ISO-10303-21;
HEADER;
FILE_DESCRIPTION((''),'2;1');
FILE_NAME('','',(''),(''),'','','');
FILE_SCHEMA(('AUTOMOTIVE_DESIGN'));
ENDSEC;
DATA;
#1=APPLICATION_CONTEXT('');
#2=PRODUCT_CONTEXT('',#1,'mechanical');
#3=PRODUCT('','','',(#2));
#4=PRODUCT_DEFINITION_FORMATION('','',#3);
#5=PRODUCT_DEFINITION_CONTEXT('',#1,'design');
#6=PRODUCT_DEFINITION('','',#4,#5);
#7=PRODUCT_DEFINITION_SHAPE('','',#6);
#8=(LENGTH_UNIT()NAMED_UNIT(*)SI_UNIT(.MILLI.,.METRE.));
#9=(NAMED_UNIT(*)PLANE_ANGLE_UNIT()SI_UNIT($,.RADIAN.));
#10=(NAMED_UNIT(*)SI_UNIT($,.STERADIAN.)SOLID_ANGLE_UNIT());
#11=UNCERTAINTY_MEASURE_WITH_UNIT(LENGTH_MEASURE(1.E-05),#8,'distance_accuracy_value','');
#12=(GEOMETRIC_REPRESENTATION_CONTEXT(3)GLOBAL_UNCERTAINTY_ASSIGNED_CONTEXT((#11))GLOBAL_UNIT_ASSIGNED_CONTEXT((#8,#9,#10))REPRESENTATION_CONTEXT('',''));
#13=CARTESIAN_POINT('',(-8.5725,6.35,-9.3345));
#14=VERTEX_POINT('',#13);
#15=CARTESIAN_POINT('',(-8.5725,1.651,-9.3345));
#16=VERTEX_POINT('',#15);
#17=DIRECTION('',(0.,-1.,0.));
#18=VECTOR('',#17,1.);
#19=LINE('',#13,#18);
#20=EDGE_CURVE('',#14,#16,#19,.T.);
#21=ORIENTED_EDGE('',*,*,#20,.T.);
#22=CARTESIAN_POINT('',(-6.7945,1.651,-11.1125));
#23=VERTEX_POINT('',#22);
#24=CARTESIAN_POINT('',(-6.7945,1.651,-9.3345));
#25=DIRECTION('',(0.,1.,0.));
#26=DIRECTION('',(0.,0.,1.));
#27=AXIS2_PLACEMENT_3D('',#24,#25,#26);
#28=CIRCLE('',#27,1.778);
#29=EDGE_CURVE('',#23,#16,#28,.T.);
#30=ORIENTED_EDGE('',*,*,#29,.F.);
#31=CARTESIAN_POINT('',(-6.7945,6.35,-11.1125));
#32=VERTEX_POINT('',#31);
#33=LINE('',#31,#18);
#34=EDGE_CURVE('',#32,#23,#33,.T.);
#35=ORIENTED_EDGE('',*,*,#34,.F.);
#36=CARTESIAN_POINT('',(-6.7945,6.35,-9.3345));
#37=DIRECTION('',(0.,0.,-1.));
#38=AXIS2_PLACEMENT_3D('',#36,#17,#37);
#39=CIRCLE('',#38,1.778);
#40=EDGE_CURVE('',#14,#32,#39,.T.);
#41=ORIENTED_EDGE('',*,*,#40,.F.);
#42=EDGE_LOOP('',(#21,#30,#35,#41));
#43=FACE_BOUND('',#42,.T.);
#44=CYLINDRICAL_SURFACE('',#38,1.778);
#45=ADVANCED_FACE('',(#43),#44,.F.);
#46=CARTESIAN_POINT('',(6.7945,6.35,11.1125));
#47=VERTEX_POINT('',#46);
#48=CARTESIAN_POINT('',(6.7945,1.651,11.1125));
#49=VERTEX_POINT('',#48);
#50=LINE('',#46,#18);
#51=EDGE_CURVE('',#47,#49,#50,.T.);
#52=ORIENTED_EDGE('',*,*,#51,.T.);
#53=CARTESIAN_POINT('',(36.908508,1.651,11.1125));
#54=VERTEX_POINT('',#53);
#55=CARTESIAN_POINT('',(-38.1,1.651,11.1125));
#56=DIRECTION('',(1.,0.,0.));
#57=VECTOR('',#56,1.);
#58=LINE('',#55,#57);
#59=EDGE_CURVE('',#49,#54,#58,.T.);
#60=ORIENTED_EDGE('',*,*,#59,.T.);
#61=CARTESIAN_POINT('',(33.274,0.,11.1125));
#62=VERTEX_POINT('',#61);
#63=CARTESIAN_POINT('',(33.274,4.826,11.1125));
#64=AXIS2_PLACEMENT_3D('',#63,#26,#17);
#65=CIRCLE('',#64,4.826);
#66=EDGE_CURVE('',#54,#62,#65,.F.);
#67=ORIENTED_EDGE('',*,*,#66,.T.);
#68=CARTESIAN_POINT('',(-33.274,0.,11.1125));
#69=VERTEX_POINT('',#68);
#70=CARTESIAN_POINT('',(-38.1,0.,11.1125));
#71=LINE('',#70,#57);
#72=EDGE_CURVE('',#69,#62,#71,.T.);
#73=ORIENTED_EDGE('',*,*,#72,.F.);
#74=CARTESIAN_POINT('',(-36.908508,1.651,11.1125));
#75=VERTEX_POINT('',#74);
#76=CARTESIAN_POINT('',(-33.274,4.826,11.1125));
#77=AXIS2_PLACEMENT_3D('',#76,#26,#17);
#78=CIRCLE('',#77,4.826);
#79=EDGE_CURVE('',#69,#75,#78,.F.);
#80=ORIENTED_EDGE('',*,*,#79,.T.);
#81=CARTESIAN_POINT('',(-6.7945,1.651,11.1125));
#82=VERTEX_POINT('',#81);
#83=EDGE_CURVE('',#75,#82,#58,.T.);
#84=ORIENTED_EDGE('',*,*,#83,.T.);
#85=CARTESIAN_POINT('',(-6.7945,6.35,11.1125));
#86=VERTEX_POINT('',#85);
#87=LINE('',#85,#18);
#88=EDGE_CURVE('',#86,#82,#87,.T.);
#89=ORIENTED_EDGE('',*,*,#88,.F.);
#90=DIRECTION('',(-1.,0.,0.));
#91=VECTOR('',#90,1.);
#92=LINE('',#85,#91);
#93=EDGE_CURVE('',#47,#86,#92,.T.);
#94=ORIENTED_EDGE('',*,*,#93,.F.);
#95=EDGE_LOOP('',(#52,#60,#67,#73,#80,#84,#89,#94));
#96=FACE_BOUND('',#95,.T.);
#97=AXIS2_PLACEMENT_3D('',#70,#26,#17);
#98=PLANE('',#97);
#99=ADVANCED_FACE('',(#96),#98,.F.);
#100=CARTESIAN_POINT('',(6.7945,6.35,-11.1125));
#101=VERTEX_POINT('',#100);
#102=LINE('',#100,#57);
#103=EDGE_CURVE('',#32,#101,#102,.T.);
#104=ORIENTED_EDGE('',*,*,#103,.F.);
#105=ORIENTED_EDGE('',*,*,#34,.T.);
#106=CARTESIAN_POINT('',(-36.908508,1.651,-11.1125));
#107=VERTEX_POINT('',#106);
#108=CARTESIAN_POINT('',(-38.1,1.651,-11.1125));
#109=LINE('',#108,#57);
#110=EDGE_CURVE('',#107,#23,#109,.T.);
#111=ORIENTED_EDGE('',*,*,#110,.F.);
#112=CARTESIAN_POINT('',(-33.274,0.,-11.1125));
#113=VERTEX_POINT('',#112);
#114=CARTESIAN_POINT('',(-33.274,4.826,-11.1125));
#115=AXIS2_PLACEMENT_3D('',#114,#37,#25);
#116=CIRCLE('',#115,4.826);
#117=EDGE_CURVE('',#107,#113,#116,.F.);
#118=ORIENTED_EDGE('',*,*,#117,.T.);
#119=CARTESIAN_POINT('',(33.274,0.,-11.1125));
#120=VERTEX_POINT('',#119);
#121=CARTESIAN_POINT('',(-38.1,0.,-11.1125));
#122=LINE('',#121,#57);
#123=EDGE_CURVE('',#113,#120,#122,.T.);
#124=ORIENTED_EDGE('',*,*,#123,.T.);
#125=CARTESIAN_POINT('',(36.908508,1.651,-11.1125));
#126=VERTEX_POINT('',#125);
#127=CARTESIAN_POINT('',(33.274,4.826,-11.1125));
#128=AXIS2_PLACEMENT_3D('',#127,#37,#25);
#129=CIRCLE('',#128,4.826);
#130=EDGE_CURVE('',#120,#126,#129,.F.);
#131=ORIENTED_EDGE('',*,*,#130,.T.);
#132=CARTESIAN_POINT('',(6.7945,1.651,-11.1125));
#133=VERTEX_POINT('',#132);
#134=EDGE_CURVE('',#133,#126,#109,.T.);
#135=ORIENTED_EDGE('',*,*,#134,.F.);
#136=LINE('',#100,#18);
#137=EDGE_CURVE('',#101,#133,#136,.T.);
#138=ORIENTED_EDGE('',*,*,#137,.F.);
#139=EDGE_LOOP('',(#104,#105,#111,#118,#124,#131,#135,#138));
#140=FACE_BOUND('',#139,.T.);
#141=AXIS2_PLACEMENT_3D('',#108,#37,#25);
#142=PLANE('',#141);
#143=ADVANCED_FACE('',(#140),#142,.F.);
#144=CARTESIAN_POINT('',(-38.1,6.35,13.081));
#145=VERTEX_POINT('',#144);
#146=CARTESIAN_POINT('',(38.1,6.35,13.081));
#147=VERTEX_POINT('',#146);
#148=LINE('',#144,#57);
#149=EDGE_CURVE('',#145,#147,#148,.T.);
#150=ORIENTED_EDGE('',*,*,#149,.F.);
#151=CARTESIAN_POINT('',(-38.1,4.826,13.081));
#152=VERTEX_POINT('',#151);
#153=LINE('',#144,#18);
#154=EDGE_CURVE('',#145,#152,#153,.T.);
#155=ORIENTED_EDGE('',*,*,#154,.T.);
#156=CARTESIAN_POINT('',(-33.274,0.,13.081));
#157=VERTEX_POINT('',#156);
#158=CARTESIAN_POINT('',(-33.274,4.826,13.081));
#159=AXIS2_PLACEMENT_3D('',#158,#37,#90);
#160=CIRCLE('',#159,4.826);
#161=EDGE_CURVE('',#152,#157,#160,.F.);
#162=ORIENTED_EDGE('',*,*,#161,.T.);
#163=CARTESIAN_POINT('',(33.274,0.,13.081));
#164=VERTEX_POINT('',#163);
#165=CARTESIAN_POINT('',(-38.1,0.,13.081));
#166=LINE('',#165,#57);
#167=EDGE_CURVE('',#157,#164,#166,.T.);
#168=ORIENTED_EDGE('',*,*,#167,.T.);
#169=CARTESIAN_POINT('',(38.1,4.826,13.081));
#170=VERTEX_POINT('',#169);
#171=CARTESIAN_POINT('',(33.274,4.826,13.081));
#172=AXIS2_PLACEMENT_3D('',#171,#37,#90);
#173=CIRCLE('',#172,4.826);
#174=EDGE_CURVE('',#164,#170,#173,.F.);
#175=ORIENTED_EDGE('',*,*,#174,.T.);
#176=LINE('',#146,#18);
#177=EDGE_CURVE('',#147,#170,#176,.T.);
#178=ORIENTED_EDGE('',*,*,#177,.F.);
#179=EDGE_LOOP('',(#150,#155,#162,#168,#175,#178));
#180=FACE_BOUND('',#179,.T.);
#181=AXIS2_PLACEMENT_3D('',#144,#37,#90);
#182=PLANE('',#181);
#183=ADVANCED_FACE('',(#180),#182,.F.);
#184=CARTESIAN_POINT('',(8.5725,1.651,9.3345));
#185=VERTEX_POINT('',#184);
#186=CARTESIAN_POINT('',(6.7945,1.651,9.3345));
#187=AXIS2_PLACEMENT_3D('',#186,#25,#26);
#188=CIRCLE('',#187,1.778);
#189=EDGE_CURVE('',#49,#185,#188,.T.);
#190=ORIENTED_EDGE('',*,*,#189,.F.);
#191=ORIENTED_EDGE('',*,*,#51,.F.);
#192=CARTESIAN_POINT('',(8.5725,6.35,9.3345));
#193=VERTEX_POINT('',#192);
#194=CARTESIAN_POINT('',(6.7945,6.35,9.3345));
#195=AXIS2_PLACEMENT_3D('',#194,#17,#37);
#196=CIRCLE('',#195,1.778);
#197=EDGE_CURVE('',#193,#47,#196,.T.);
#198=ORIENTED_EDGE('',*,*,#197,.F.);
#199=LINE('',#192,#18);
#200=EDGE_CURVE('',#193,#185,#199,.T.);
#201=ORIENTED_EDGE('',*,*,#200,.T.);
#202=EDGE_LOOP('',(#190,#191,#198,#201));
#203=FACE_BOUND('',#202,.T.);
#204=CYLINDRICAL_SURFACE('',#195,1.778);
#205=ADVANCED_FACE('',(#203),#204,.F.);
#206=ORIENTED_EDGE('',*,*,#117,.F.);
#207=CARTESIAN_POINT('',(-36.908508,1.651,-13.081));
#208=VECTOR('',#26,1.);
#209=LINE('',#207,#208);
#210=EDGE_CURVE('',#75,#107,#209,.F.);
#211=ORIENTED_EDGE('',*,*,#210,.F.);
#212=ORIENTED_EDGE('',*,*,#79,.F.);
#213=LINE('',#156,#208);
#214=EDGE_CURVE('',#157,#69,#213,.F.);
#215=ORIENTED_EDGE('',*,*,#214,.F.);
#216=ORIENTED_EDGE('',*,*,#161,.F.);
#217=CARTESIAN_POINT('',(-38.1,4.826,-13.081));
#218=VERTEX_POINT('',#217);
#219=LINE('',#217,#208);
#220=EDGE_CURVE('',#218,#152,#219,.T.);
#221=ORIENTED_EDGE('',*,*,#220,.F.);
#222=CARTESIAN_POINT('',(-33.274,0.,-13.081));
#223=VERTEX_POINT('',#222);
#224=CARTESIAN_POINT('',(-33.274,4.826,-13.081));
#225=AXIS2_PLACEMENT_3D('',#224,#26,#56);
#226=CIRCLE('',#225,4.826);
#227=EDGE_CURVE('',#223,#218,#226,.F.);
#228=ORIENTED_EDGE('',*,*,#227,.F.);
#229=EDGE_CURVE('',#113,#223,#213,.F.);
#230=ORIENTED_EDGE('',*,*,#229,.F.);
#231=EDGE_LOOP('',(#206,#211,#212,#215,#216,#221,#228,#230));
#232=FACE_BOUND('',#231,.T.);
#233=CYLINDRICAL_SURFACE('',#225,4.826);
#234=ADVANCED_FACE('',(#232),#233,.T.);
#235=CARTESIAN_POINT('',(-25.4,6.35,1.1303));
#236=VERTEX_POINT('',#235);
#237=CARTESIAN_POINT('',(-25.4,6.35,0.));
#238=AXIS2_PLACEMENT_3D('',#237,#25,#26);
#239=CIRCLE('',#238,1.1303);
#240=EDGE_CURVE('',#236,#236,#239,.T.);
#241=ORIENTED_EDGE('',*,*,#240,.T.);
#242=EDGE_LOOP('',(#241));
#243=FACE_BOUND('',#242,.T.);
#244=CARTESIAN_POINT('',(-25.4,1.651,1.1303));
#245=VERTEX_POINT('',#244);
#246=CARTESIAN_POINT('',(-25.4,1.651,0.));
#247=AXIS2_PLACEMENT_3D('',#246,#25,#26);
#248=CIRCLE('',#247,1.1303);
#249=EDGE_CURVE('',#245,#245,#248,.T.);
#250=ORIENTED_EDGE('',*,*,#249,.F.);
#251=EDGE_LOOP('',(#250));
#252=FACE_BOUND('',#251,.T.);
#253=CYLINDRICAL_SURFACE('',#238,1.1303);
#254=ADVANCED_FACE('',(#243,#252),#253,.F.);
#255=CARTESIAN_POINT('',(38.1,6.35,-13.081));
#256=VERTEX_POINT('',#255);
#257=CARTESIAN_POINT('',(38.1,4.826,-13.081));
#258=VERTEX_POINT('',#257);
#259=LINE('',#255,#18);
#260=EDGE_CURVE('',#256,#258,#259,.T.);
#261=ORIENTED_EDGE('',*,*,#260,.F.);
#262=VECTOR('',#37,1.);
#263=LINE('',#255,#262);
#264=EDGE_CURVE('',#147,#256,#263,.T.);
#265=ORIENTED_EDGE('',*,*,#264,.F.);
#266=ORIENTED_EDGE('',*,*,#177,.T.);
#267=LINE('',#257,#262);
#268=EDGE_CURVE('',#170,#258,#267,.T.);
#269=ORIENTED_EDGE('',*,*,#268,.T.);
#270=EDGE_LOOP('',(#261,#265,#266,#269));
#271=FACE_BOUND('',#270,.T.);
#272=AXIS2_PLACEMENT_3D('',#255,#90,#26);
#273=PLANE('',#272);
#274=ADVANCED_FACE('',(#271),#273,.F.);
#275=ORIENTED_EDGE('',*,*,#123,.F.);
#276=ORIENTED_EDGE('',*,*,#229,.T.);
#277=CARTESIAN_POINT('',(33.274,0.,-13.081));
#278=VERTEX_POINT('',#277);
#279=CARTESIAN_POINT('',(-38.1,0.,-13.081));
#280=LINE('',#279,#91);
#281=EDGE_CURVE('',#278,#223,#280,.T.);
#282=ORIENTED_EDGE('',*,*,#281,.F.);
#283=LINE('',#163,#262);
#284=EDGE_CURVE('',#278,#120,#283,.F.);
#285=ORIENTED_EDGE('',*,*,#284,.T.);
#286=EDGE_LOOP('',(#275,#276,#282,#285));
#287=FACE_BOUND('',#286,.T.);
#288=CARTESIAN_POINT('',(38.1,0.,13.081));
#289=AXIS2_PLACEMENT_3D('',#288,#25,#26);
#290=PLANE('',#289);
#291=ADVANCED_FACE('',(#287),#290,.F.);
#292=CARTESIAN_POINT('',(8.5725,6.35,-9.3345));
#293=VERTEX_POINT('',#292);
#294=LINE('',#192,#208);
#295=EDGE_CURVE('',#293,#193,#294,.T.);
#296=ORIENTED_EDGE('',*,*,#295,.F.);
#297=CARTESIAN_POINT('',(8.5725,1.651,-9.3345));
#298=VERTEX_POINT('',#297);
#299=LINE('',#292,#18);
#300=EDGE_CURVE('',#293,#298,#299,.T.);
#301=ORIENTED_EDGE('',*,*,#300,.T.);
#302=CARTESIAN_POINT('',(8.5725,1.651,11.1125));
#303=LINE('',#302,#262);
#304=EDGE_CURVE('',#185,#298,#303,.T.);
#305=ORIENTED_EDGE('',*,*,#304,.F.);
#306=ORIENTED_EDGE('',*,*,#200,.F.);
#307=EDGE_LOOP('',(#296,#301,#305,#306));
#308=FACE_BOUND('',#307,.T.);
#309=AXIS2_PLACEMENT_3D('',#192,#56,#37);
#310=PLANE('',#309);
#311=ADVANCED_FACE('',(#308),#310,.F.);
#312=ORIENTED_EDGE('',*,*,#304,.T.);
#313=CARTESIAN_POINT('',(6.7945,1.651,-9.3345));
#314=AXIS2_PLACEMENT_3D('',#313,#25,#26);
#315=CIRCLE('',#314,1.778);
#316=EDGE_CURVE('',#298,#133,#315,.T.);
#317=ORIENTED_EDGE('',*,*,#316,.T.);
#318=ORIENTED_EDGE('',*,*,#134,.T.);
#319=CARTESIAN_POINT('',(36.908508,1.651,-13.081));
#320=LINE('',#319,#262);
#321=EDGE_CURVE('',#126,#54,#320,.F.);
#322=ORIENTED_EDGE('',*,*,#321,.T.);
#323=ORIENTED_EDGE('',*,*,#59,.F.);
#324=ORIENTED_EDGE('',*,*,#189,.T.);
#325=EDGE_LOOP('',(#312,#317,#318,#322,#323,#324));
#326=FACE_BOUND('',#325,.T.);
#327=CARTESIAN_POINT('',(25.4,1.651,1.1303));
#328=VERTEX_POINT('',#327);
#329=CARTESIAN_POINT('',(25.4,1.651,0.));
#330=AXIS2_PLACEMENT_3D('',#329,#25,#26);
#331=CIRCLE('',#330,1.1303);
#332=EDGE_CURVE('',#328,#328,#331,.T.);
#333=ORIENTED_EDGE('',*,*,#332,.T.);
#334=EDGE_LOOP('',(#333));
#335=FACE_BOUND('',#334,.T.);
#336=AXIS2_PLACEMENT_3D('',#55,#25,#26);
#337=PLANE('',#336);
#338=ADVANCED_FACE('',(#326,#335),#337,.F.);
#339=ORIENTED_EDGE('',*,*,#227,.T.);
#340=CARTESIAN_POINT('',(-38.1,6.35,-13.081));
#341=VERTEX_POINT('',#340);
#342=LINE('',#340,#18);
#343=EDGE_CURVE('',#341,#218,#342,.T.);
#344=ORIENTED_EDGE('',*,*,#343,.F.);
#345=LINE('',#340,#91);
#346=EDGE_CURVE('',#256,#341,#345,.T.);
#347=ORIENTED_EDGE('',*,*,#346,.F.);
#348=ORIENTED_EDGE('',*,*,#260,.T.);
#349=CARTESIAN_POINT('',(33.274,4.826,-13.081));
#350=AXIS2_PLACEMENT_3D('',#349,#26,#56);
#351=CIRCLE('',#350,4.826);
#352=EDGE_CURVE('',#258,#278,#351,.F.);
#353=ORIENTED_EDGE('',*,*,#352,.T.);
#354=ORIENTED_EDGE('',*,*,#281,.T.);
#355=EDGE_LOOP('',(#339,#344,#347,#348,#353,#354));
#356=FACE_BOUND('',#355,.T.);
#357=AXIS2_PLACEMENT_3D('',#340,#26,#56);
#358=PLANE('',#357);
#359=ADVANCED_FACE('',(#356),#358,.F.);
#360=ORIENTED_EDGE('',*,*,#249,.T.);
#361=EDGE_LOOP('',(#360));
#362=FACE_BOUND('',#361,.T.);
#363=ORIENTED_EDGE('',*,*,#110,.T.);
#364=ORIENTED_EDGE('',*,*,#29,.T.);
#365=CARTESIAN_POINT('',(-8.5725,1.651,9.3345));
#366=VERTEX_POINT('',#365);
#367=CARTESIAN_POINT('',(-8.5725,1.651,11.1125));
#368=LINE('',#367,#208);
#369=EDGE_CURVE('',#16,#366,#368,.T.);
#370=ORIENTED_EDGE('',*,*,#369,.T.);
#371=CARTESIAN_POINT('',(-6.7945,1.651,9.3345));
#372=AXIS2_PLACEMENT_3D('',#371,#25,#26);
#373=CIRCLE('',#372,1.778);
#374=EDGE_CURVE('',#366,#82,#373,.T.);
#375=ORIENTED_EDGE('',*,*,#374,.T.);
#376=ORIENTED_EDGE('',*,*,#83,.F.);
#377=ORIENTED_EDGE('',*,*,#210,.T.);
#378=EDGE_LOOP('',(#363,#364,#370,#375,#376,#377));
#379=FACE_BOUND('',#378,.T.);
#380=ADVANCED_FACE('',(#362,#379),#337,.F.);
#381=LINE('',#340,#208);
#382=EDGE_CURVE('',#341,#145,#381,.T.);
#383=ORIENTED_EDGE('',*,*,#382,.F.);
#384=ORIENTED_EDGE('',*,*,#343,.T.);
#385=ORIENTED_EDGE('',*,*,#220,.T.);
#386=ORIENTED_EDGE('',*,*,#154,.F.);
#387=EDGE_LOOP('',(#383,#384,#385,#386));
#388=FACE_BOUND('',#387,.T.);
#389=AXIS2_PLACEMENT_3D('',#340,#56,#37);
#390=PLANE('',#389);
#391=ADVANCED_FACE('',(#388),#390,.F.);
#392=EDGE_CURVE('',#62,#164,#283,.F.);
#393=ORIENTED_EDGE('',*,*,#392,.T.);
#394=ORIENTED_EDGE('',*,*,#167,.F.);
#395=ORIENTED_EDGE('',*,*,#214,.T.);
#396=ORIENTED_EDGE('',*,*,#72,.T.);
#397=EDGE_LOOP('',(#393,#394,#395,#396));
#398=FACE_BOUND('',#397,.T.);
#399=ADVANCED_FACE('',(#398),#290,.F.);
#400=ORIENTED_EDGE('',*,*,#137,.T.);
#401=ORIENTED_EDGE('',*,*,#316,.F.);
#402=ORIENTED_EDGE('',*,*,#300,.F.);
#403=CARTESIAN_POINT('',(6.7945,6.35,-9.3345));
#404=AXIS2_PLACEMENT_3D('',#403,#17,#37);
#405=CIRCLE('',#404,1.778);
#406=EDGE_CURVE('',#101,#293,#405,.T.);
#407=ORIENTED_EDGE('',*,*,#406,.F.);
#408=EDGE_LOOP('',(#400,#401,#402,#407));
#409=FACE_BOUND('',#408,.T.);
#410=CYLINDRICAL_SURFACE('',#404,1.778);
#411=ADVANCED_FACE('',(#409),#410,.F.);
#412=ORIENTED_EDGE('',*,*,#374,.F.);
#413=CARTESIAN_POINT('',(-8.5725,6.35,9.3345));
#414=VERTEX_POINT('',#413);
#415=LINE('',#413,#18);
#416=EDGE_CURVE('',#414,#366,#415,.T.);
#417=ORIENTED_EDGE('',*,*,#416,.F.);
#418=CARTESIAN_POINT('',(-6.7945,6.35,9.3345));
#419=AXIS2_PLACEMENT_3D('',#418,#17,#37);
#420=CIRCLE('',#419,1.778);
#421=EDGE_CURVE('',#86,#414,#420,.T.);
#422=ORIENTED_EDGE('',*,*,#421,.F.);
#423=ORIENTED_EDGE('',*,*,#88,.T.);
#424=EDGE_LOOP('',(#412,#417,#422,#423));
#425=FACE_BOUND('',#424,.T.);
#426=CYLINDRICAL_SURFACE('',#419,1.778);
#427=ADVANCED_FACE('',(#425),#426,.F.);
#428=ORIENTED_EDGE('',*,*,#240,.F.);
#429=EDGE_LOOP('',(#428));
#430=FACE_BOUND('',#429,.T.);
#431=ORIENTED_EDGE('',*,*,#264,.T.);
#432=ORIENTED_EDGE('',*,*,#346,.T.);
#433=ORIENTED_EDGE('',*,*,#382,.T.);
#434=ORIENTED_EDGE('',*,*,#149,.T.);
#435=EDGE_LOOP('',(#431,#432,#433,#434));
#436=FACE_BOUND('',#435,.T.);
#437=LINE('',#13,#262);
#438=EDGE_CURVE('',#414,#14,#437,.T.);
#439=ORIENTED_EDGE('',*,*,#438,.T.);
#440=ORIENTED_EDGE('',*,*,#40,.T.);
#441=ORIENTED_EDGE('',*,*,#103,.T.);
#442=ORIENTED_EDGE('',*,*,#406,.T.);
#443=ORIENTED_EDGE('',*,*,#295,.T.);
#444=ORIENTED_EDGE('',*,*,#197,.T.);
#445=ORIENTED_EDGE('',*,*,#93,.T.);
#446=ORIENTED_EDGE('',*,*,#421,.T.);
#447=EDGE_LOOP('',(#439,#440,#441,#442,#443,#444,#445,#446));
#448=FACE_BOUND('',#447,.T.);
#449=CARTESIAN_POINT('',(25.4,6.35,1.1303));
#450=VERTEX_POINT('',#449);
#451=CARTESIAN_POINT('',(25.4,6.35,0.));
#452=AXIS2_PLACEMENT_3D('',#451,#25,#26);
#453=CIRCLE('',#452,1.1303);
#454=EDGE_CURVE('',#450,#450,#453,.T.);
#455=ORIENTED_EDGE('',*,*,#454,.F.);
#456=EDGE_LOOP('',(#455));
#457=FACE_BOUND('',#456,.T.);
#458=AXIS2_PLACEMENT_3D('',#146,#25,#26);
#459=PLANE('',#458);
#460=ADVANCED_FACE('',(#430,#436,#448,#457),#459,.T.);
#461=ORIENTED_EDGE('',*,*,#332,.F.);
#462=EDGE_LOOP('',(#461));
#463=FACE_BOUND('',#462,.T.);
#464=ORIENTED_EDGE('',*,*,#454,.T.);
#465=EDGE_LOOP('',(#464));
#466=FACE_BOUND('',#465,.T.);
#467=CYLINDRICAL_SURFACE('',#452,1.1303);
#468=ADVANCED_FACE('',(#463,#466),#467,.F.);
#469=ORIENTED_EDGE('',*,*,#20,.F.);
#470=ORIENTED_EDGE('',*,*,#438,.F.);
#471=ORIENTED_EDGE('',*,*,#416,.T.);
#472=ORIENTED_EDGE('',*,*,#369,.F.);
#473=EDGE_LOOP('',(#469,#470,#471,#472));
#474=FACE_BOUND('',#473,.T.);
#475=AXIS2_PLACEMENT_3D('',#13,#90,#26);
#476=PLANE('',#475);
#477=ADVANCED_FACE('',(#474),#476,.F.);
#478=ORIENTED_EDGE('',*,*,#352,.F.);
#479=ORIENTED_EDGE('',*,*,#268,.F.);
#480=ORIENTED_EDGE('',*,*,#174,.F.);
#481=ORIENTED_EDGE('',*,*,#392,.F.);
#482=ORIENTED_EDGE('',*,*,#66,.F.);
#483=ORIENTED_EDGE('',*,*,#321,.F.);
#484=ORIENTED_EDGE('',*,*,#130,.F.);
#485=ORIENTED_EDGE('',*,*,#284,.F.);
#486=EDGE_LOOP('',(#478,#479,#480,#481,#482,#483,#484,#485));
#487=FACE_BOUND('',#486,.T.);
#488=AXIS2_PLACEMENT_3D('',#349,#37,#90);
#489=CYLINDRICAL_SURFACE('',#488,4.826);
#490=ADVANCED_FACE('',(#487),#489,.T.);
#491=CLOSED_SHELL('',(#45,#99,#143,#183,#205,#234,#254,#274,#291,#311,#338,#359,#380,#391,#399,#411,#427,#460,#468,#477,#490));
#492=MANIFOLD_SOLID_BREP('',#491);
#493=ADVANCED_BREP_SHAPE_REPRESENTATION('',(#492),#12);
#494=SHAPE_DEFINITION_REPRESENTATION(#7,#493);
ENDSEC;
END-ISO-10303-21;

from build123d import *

# Parameters (mm, degrees)
SKETCH1_W               = 76.2
SKETCH1_H               = 26.162
BOSS_EXTRUDE1_DEPTH     = 6.35
FILLET1_R               = 4.826
SKETCH2_W               = 22.225
SKETCH2_H               = 1.651
CUT_EXTRUDE1_DEPTH      = 78.574964138
CUT_EXTRUDE2_DEPTH      = 41.556172921
CUT_EXTRUDE2_DEPTH_BACK = 41.556172921
F_4_40_TAPPED_HOLE1_D   = 2.2606


with BuildPart() as part:
    # Sketch1 → Boss-Extrude1 (new body)
    with BuildSketch(Plane(origin=(0, 0, 0), x_dir=(1, 0, 0), z_dir=(0, 1, 0))):
        Rectangle(SKETCH1_W, SKETCH1_H)
    extrude(amount=BOSS_EXTRUDE1_DEPTH)

    # Fillet1
    fillet1_edges = [part.edges().sort_by_distance(p)[0] for p in [
        (-38.1, 0, 0),
        (38.1, 0, 0),
    ]]
    fillet(fillet1_edges, radius=FILLET1_R)

    # Sketch2 → Cut-Extrude1 (cut, through all)
    with BuildSketch(Plane(origin=(38.1, 0, 0), x_dir=(0, 0, -1), z_dir=(1, 0, 0))):
        with Locations((0, 0.8255)):
            Rectangle(SKETCH2_W, SKETCH2_H)
    extrude(amount=-CUT_EXTRUDE1_DEPTH, mode=Mode.SUBTRACT)

    # Sketch3 → Cut-Extrude2 (cut, two sides: drawn at the far end of the back side and taken through both)
    with BuildSketch(Plane.XZ.offset(-1.651).offset(-CUT_EXTRUDE2_DEPTH_BACK)):
        with BuildLine():
            Line((6.7945, -11.1125), (-6.7945, -11.1125))
            ThreePointArc((-6.7945, -11.1125), (-8.051735857, -10.591735857), (-8.5725, -9.3345))
            Line((-8.5725, -9.3345), (-8.5725, 9.3345))
            ThreePointArc((-8.5725, 9.3345), (-8.051735857, 10.591735857), (-6.7945, 11.1125))
            Line((-6.7945, 11.1125), (6.7945, 11.1125))
            ThreePointArc((6.7945, 11.1125), (8.051735857, 10.591735857), (8.5725, 9.3345))
            Line((8.5725, 9.3345), (8.5725, -9.3345))
            ThreePointArc((8.5725, -9.3345), (8.051735857, -10.591735857), (6.7945, -11.1125))
        make_face()
    extrude(amount=CUT_EXTRUDE2_DEPTH + CUT_EXTRUDE2_DEPTH_BACK, mode=Mode.SUBTRACT)

    # #4-40 Tapped Hole1 (through all)
    with Locations(Plane(origin=(0, 6.35, 0), x_dir=(-1, 0, 0), z_dir=(0, 1, 0))):
        with Locations((25.4, 0), (-25.4, 0)):
            Hole(F_4_40_TAPPED_HOLE1_D / 2)


solid = part.part
